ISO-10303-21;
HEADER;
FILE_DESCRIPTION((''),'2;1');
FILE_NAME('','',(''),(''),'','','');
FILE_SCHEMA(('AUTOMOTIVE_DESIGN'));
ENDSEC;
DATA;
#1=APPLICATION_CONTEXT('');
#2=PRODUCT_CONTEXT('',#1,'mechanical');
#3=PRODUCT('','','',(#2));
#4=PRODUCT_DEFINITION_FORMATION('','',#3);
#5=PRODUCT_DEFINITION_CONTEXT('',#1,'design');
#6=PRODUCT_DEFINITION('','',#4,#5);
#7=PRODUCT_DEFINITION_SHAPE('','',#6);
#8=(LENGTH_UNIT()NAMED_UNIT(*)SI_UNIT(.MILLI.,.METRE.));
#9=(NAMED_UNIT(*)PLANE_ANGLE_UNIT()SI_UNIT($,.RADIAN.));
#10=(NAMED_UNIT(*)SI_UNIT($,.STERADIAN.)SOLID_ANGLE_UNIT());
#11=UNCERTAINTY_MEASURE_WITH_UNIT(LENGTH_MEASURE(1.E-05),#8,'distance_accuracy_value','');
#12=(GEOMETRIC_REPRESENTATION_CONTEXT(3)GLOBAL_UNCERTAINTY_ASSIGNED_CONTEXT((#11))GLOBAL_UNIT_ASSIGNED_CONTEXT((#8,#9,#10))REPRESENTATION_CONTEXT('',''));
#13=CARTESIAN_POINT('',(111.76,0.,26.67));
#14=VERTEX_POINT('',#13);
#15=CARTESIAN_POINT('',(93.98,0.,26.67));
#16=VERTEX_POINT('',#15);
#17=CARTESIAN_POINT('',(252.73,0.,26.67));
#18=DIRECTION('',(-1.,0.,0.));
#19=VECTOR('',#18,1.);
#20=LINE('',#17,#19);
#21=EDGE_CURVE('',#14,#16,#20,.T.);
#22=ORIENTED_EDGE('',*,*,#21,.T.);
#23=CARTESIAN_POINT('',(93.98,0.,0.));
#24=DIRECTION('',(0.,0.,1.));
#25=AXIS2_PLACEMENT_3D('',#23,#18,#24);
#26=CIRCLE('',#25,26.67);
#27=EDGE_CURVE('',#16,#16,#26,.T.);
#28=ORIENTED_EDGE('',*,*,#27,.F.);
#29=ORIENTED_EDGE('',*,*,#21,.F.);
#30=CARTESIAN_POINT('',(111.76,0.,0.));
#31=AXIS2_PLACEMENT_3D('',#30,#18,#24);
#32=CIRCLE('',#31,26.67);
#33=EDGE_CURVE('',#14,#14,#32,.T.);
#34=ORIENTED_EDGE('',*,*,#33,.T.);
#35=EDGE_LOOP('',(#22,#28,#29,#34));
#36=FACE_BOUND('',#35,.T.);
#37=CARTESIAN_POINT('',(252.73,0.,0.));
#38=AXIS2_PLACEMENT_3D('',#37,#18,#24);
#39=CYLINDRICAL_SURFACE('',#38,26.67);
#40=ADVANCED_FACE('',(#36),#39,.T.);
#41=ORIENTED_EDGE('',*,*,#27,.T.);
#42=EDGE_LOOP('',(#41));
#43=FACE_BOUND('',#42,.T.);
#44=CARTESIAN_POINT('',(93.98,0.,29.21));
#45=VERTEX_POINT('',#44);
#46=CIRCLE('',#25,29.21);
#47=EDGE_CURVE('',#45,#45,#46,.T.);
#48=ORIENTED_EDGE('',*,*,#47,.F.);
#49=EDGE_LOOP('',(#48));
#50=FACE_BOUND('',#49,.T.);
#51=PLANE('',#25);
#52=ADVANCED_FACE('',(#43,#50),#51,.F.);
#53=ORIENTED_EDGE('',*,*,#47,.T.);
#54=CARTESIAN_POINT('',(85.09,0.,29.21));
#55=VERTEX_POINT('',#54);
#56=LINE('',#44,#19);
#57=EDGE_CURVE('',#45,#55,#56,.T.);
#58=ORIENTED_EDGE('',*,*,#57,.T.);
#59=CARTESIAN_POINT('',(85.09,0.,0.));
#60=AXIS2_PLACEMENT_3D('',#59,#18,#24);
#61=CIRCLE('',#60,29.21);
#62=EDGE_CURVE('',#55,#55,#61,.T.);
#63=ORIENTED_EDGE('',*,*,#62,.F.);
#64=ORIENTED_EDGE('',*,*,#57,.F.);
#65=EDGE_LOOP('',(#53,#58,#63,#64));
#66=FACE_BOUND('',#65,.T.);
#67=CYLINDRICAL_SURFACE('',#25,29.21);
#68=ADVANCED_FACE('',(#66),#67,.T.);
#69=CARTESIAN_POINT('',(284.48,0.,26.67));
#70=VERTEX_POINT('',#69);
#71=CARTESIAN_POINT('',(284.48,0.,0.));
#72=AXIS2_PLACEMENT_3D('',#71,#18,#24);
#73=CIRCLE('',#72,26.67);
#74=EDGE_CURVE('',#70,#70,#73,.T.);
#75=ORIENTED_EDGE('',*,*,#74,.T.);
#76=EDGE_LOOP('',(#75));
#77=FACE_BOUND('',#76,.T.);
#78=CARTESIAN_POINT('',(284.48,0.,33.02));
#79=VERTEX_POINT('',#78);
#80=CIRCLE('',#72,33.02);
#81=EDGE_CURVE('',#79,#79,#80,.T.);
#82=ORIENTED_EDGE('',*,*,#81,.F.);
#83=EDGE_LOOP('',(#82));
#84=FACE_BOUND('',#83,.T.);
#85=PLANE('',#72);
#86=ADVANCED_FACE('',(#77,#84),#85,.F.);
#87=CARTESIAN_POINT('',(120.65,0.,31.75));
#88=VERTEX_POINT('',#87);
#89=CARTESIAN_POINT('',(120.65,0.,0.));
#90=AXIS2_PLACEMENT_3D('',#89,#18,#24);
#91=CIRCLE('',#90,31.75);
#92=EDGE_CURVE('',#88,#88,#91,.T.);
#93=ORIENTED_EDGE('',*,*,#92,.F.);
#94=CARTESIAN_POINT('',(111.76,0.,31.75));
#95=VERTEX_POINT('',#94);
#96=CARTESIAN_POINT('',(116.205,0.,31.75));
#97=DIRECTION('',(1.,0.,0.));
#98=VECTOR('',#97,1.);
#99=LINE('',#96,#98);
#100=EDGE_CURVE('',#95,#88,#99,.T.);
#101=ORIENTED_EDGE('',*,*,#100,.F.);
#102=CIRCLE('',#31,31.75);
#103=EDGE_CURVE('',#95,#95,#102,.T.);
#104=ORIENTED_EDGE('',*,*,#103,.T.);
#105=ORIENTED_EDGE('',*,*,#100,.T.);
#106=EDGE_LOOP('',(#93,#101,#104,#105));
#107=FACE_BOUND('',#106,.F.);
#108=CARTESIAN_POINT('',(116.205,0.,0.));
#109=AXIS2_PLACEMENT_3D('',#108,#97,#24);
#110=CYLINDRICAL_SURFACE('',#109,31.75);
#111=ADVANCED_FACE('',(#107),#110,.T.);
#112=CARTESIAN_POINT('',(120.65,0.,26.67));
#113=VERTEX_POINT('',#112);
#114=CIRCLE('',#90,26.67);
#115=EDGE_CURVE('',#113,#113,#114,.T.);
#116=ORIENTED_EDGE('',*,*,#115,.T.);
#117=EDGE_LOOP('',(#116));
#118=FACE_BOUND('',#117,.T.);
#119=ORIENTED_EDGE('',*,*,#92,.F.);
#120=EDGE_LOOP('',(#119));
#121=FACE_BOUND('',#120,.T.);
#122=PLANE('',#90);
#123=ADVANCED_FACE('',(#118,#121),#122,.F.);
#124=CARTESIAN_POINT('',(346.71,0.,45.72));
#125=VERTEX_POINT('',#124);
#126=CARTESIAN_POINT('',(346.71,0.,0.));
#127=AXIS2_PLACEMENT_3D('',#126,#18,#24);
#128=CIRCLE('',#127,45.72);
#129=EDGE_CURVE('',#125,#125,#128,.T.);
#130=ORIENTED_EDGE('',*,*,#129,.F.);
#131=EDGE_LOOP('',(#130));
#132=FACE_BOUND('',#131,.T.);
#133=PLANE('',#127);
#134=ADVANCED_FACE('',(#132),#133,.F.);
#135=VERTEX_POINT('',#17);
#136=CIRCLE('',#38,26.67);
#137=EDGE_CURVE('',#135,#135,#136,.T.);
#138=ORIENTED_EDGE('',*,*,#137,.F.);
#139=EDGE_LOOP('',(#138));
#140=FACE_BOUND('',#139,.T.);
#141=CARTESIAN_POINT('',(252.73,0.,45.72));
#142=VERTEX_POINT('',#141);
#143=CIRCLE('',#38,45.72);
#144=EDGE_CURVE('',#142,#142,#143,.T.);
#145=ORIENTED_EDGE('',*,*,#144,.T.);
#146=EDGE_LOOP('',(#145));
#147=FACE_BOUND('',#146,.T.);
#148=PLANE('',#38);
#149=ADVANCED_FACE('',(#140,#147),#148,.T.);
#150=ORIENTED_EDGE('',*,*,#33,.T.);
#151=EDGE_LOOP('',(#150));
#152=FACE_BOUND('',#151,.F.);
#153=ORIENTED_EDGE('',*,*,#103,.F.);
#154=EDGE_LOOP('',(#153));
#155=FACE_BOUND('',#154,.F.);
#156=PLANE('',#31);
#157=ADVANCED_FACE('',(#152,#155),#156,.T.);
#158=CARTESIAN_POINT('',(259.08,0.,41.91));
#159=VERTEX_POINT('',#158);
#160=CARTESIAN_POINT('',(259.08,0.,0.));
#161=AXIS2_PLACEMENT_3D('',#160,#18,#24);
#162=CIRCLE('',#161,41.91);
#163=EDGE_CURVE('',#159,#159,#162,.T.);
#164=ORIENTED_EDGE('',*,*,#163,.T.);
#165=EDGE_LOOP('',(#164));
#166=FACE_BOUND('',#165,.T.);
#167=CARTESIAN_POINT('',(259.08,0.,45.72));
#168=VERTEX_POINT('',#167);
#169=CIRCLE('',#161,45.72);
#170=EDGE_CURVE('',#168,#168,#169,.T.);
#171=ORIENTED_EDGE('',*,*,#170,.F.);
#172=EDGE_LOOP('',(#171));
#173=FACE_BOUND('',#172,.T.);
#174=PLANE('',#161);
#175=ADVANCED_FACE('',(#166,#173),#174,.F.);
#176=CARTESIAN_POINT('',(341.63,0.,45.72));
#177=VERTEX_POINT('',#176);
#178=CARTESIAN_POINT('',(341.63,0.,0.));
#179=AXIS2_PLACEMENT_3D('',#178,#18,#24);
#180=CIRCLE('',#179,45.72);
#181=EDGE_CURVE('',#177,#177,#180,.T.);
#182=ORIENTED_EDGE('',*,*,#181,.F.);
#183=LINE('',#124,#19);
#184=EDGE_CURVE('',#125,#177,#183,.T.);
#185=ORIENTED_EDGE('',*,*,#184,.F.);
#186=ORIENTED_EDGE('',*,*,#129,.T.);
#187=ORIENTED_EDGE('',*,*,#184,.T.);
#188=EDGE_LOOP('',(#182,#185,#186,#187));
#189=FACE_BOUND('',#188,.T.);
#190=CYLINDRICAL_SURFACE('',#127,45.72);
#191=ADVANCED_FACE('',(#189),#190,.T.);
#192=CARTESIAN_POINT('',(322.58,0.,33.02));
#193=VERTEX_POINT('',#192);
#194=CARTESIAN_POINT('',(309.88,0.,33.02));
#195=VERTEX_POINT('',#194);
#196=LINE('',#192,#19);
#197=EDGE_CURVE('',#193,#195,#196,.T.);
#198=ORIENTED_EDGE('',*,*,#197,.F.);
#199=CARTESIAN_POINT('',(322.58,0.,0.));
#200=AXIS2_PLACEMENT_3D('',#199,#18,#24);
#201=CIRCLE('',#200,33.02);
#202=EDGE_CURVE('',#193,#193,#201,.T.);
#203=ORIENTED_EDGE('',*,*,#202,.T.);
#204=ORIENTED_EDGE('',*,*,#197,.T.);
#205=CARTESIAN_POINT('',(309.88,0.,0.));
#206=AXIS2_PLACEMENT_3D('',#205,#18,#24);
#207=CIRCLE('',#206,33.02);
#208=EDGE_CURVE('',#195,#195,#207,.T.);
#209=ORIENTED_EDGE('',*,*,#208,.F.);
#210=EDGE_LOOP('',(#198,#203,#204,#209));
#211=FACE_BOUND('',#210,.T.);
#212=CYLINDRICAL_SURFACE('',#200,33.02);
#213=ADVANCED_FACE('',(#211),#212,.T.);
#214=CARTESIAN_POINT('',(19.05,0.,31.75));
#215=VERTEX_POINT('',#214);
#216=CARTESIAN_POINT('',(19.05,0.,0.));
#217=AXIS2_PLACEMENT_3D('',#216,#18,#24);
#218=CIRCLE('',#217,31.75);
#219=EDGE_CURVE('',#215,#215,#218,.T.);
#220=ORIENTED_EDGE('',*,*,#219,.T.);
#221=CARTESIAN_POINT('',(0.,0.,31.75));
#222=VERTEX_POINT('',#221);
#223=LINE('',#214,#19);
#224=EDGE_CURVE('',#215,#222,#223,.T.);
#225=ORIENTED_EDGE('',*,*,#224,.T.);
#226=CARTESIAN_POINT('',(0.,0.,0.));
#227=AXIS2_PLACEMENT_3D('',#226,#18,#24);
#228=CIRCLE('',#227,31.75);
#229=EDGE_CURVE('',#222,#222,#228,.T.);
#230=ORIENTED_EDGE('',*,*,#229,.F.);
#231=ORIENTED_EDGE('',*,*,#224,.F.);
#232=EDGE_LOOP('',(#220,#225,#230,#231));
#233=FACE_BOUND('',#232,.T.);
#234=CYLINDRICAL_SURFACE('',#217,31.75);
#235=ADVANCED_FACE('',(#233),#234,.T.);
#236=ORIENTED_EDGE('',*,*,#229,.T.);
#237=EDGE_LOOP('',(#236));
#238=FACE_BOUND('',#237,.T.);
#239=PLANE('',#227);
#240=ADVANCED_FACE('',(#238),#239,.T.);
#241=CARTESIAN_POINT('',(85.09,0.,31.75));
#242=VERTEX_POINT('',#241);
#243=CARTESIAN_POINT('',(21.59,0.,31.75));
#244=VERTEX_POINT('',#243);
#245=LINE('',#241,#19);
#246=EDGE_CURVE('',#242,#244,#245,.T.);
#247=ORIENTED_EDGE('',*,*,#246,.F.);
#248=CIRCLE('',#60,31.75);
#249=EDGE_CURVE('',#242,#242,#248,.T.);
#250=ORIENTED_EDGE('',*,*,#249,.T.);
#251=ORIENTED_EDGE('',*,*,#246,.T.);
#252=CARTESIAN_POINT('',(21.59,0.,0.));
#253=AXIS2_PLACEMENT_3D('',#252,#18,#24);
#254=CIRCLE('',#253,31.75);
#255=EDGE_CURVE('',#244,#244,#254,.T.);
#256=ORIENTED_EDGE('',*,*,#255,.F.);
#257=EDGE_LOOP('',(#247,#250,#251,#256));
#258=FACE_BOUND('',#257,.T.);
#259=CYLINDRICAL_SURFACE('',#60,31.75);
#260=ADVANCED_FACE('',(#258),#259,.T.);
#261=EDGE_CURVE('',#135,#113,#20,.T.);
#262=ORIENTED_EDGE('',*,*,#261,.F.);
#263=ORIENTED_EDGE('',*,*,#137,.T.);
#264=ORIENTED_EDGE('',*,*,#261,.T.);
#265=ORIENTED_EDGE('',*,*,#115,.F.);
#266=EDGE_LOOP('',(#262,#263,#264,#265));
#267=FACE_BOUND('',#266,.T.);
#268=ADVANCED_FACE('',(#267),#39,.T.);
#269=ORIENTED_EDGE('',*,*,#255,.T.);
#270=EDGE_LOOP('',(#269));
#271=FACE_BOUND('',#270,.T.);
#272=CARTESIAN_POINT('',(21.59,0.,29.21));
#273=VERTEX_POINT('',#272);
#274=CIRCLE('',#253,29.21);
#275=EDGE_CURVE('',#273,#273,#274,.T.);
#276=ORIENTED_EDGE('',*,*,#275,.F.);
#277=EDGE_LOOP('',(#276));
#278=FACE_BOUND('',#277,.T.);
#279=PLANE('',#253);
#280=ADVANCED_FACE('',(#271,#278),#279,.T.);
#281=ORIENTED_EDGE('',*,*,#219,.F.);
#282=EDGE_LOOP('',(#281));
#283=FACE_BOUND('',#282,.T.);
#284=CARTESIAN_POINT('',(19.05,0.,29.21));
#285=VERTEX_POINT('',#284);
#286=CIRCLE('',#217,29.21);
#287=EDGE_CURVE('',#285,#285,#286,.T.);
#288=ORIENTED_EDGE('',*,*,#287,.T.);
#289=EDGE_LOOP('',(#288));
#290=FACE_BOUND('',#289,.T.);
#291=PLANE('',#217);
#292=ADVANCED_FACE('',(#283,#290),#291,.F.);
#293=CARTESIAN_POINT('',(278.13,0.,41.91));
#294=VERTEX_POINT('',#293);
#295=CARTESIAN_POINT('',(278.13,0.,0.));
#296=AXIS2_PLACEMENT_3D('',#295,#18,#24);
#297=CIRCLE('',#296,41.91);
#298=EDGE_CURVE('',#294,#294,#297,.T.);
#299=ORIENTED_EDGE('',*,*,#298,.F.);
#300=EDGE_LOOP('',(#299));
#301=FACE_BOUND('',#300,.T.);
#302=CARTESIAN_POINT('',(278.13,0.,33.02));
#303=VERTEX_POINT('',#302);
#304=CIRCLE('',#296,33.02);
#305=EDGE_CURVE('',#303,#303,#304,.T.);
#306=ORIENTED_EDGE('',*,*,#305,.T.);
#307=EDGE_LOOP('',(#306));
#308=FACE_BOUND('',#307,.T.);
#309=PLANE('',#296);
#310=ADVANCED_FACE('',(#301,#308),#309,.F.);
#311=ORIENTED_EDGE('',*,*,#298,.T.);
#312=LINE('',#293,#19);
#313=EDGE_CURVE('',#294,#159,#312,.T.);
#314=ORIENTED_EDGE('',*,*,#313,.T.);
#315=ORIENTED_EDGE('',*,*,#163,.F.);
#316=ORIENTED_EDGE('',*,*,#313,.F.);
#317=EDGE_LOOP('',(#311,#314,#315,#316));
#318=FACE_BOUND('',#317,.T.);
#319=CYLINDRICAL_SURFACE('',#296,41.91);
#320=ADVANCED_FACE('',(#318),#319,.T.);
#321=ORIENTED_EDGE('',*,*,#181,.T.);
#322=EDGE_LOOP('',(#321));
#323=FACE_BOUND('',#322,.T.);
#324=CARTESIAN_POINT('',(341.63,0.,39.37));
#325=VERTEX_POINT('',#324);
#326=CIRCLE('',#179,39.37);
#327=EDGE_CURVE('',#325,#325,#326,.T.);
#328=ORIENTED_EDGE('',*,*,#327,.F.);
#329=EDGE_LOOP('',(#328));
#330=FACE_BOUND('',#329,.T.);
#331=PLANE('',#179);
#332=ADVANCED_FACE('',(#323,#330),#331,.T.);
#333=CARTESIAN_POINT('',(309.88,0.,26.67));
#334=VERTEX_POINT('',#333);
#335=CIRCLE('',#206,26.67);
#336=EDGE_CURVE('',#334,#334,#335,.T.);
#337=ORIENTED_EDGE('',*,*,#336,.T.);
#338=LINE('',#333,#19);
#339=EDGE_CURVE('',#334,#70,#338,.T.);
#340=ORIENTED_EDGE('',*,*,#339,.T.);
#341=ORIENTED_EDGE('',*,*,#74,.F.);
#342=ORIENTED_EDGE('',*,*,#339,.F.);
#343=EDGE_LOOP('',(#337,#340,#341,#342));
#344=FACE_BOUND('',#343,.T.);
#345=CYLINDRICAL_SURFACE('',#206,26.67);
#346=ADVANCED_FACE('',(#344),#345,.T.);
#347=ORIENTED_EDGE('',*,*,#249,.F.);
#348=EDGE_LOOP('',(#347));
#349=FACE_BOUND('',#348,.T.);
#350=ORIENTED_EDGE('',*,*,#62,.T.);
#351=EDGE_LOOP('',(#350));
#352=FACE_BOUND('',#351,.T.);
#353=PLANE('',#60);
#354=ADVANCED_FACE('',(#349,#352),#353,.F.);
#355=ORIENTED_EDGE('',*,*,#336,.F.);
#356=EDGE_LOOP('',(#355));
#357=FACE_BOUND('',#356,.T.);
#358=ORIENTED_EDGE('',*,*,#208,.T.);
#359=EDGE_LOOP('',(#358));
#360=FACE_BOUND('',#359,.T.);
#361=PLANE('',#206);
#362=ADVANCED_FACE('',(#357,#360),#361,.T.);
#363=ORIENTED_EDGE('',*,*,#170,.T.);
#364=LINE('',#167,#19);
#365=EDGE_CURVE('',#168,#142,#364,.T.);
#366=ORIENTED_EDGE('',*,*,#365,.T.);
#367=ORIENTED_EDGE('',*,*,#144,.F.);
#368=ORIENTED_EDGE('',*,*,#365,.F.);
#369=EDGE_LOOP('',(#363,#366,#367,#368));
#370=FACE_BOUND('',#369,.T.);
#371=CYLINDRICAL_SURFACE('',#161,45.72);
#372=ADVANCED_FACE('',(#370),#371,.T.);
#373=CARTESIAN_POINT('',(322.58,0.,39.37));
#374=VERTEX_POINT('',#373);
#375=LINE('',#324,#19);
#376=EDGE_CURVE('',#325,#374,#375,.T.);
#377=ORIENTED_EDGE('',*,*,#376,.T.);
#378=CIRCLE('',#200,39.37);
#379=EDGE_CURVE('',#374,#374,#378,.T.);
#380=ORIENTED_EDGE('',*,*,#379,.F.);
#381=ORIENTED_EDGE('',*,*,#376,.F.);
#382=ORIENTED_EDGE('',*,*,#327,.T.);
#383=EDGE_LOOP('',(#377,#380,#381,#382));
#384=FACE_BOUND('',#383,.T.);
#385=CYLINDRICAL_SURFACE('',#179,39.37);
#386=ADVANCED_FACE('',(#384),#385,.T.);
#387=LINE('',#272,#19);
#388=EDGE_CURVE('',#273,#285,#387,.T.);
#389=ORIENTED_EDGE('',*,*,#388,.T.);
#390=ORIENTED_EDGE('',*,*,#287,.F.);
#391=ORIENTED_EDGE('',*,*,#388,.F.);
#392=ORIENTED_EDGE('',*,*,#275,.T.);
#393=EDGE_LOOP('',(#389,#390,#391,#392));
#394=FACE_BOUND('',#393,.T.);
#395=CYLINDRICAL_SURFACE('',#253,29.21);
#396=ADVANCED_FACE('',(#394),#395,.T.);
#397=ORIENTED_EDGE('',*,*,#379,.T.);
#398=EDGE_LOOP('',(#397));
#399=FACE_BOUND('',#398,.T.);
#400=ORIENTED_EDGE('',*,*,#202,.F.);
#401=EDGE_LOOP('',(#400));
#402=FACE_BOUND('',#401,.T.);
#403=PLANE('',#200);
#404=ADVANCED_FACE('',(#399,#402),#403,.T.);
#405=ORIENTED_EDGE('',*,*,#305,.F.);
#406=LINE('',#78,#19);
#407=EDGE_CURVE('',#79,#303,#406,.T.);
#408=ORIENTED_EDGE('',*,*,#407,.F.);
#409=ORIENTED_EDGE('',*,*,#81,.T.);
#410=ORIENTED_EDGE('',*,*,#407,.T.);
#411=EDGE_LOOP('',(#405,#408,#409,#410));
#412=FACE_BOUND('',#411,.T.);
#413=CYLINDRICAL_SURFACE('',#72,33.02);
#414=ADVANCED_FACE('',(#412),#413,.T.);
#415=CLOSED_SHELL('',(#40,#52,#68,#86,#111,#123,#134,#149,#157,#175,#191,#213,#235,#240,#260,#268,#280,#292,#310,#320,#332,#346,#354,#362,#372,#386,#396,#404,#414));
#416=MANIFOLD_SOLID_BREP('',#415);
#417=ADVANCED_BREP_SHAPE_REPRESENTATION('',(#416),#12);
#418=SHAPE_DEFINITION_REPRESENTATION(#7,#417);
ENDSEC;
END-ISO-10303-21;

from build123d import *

# Parameters (mm, degrees)
F2_W = 8.89
F2_H = 5.08


with BuildPart() as f1:
    # F0 (on Front) → F1 (revolve)
    with BuildSketch(Plane.XZ):
        Polygon((19.05, 31.75), (0, 31.75), (0, 0), (346.71, 0), (346.71, 45.72), (341.63, 45.72), (341.63, 39.37), (322.58, 39.37), (322.58, 33.02), (309.88, 33.02), (309.88, 26.67), (284.48, 26.67), (284.48, 33.02), (278.13, 33.02), (278.13, 41.91), (259.08, 41.91), (259.08, 45.72), (252.73, 45.72), (252.73, 26.67), (100.33, 26.67), (93.98, 26.67), (93.98, 29.21), (85.09, 29.21), (85.09, 31.75), (21.59, 31.75), (21.59, 29.21), (19.05, 29.21), align=None)
    revolve(axis=Axis((173.355, 0, 0), (-1, 0, 0)))

    # F2 (on Front) → F3 (revolve)
    with BuildSketch(Plane.XZ):
        with Locations((116.205, 29.21)):
            Rectangle(F2_W, F2_H)
    revolve(axis=Axis((173.355, 0, 0), (-1, 0, 0)))


solid = f1.part
